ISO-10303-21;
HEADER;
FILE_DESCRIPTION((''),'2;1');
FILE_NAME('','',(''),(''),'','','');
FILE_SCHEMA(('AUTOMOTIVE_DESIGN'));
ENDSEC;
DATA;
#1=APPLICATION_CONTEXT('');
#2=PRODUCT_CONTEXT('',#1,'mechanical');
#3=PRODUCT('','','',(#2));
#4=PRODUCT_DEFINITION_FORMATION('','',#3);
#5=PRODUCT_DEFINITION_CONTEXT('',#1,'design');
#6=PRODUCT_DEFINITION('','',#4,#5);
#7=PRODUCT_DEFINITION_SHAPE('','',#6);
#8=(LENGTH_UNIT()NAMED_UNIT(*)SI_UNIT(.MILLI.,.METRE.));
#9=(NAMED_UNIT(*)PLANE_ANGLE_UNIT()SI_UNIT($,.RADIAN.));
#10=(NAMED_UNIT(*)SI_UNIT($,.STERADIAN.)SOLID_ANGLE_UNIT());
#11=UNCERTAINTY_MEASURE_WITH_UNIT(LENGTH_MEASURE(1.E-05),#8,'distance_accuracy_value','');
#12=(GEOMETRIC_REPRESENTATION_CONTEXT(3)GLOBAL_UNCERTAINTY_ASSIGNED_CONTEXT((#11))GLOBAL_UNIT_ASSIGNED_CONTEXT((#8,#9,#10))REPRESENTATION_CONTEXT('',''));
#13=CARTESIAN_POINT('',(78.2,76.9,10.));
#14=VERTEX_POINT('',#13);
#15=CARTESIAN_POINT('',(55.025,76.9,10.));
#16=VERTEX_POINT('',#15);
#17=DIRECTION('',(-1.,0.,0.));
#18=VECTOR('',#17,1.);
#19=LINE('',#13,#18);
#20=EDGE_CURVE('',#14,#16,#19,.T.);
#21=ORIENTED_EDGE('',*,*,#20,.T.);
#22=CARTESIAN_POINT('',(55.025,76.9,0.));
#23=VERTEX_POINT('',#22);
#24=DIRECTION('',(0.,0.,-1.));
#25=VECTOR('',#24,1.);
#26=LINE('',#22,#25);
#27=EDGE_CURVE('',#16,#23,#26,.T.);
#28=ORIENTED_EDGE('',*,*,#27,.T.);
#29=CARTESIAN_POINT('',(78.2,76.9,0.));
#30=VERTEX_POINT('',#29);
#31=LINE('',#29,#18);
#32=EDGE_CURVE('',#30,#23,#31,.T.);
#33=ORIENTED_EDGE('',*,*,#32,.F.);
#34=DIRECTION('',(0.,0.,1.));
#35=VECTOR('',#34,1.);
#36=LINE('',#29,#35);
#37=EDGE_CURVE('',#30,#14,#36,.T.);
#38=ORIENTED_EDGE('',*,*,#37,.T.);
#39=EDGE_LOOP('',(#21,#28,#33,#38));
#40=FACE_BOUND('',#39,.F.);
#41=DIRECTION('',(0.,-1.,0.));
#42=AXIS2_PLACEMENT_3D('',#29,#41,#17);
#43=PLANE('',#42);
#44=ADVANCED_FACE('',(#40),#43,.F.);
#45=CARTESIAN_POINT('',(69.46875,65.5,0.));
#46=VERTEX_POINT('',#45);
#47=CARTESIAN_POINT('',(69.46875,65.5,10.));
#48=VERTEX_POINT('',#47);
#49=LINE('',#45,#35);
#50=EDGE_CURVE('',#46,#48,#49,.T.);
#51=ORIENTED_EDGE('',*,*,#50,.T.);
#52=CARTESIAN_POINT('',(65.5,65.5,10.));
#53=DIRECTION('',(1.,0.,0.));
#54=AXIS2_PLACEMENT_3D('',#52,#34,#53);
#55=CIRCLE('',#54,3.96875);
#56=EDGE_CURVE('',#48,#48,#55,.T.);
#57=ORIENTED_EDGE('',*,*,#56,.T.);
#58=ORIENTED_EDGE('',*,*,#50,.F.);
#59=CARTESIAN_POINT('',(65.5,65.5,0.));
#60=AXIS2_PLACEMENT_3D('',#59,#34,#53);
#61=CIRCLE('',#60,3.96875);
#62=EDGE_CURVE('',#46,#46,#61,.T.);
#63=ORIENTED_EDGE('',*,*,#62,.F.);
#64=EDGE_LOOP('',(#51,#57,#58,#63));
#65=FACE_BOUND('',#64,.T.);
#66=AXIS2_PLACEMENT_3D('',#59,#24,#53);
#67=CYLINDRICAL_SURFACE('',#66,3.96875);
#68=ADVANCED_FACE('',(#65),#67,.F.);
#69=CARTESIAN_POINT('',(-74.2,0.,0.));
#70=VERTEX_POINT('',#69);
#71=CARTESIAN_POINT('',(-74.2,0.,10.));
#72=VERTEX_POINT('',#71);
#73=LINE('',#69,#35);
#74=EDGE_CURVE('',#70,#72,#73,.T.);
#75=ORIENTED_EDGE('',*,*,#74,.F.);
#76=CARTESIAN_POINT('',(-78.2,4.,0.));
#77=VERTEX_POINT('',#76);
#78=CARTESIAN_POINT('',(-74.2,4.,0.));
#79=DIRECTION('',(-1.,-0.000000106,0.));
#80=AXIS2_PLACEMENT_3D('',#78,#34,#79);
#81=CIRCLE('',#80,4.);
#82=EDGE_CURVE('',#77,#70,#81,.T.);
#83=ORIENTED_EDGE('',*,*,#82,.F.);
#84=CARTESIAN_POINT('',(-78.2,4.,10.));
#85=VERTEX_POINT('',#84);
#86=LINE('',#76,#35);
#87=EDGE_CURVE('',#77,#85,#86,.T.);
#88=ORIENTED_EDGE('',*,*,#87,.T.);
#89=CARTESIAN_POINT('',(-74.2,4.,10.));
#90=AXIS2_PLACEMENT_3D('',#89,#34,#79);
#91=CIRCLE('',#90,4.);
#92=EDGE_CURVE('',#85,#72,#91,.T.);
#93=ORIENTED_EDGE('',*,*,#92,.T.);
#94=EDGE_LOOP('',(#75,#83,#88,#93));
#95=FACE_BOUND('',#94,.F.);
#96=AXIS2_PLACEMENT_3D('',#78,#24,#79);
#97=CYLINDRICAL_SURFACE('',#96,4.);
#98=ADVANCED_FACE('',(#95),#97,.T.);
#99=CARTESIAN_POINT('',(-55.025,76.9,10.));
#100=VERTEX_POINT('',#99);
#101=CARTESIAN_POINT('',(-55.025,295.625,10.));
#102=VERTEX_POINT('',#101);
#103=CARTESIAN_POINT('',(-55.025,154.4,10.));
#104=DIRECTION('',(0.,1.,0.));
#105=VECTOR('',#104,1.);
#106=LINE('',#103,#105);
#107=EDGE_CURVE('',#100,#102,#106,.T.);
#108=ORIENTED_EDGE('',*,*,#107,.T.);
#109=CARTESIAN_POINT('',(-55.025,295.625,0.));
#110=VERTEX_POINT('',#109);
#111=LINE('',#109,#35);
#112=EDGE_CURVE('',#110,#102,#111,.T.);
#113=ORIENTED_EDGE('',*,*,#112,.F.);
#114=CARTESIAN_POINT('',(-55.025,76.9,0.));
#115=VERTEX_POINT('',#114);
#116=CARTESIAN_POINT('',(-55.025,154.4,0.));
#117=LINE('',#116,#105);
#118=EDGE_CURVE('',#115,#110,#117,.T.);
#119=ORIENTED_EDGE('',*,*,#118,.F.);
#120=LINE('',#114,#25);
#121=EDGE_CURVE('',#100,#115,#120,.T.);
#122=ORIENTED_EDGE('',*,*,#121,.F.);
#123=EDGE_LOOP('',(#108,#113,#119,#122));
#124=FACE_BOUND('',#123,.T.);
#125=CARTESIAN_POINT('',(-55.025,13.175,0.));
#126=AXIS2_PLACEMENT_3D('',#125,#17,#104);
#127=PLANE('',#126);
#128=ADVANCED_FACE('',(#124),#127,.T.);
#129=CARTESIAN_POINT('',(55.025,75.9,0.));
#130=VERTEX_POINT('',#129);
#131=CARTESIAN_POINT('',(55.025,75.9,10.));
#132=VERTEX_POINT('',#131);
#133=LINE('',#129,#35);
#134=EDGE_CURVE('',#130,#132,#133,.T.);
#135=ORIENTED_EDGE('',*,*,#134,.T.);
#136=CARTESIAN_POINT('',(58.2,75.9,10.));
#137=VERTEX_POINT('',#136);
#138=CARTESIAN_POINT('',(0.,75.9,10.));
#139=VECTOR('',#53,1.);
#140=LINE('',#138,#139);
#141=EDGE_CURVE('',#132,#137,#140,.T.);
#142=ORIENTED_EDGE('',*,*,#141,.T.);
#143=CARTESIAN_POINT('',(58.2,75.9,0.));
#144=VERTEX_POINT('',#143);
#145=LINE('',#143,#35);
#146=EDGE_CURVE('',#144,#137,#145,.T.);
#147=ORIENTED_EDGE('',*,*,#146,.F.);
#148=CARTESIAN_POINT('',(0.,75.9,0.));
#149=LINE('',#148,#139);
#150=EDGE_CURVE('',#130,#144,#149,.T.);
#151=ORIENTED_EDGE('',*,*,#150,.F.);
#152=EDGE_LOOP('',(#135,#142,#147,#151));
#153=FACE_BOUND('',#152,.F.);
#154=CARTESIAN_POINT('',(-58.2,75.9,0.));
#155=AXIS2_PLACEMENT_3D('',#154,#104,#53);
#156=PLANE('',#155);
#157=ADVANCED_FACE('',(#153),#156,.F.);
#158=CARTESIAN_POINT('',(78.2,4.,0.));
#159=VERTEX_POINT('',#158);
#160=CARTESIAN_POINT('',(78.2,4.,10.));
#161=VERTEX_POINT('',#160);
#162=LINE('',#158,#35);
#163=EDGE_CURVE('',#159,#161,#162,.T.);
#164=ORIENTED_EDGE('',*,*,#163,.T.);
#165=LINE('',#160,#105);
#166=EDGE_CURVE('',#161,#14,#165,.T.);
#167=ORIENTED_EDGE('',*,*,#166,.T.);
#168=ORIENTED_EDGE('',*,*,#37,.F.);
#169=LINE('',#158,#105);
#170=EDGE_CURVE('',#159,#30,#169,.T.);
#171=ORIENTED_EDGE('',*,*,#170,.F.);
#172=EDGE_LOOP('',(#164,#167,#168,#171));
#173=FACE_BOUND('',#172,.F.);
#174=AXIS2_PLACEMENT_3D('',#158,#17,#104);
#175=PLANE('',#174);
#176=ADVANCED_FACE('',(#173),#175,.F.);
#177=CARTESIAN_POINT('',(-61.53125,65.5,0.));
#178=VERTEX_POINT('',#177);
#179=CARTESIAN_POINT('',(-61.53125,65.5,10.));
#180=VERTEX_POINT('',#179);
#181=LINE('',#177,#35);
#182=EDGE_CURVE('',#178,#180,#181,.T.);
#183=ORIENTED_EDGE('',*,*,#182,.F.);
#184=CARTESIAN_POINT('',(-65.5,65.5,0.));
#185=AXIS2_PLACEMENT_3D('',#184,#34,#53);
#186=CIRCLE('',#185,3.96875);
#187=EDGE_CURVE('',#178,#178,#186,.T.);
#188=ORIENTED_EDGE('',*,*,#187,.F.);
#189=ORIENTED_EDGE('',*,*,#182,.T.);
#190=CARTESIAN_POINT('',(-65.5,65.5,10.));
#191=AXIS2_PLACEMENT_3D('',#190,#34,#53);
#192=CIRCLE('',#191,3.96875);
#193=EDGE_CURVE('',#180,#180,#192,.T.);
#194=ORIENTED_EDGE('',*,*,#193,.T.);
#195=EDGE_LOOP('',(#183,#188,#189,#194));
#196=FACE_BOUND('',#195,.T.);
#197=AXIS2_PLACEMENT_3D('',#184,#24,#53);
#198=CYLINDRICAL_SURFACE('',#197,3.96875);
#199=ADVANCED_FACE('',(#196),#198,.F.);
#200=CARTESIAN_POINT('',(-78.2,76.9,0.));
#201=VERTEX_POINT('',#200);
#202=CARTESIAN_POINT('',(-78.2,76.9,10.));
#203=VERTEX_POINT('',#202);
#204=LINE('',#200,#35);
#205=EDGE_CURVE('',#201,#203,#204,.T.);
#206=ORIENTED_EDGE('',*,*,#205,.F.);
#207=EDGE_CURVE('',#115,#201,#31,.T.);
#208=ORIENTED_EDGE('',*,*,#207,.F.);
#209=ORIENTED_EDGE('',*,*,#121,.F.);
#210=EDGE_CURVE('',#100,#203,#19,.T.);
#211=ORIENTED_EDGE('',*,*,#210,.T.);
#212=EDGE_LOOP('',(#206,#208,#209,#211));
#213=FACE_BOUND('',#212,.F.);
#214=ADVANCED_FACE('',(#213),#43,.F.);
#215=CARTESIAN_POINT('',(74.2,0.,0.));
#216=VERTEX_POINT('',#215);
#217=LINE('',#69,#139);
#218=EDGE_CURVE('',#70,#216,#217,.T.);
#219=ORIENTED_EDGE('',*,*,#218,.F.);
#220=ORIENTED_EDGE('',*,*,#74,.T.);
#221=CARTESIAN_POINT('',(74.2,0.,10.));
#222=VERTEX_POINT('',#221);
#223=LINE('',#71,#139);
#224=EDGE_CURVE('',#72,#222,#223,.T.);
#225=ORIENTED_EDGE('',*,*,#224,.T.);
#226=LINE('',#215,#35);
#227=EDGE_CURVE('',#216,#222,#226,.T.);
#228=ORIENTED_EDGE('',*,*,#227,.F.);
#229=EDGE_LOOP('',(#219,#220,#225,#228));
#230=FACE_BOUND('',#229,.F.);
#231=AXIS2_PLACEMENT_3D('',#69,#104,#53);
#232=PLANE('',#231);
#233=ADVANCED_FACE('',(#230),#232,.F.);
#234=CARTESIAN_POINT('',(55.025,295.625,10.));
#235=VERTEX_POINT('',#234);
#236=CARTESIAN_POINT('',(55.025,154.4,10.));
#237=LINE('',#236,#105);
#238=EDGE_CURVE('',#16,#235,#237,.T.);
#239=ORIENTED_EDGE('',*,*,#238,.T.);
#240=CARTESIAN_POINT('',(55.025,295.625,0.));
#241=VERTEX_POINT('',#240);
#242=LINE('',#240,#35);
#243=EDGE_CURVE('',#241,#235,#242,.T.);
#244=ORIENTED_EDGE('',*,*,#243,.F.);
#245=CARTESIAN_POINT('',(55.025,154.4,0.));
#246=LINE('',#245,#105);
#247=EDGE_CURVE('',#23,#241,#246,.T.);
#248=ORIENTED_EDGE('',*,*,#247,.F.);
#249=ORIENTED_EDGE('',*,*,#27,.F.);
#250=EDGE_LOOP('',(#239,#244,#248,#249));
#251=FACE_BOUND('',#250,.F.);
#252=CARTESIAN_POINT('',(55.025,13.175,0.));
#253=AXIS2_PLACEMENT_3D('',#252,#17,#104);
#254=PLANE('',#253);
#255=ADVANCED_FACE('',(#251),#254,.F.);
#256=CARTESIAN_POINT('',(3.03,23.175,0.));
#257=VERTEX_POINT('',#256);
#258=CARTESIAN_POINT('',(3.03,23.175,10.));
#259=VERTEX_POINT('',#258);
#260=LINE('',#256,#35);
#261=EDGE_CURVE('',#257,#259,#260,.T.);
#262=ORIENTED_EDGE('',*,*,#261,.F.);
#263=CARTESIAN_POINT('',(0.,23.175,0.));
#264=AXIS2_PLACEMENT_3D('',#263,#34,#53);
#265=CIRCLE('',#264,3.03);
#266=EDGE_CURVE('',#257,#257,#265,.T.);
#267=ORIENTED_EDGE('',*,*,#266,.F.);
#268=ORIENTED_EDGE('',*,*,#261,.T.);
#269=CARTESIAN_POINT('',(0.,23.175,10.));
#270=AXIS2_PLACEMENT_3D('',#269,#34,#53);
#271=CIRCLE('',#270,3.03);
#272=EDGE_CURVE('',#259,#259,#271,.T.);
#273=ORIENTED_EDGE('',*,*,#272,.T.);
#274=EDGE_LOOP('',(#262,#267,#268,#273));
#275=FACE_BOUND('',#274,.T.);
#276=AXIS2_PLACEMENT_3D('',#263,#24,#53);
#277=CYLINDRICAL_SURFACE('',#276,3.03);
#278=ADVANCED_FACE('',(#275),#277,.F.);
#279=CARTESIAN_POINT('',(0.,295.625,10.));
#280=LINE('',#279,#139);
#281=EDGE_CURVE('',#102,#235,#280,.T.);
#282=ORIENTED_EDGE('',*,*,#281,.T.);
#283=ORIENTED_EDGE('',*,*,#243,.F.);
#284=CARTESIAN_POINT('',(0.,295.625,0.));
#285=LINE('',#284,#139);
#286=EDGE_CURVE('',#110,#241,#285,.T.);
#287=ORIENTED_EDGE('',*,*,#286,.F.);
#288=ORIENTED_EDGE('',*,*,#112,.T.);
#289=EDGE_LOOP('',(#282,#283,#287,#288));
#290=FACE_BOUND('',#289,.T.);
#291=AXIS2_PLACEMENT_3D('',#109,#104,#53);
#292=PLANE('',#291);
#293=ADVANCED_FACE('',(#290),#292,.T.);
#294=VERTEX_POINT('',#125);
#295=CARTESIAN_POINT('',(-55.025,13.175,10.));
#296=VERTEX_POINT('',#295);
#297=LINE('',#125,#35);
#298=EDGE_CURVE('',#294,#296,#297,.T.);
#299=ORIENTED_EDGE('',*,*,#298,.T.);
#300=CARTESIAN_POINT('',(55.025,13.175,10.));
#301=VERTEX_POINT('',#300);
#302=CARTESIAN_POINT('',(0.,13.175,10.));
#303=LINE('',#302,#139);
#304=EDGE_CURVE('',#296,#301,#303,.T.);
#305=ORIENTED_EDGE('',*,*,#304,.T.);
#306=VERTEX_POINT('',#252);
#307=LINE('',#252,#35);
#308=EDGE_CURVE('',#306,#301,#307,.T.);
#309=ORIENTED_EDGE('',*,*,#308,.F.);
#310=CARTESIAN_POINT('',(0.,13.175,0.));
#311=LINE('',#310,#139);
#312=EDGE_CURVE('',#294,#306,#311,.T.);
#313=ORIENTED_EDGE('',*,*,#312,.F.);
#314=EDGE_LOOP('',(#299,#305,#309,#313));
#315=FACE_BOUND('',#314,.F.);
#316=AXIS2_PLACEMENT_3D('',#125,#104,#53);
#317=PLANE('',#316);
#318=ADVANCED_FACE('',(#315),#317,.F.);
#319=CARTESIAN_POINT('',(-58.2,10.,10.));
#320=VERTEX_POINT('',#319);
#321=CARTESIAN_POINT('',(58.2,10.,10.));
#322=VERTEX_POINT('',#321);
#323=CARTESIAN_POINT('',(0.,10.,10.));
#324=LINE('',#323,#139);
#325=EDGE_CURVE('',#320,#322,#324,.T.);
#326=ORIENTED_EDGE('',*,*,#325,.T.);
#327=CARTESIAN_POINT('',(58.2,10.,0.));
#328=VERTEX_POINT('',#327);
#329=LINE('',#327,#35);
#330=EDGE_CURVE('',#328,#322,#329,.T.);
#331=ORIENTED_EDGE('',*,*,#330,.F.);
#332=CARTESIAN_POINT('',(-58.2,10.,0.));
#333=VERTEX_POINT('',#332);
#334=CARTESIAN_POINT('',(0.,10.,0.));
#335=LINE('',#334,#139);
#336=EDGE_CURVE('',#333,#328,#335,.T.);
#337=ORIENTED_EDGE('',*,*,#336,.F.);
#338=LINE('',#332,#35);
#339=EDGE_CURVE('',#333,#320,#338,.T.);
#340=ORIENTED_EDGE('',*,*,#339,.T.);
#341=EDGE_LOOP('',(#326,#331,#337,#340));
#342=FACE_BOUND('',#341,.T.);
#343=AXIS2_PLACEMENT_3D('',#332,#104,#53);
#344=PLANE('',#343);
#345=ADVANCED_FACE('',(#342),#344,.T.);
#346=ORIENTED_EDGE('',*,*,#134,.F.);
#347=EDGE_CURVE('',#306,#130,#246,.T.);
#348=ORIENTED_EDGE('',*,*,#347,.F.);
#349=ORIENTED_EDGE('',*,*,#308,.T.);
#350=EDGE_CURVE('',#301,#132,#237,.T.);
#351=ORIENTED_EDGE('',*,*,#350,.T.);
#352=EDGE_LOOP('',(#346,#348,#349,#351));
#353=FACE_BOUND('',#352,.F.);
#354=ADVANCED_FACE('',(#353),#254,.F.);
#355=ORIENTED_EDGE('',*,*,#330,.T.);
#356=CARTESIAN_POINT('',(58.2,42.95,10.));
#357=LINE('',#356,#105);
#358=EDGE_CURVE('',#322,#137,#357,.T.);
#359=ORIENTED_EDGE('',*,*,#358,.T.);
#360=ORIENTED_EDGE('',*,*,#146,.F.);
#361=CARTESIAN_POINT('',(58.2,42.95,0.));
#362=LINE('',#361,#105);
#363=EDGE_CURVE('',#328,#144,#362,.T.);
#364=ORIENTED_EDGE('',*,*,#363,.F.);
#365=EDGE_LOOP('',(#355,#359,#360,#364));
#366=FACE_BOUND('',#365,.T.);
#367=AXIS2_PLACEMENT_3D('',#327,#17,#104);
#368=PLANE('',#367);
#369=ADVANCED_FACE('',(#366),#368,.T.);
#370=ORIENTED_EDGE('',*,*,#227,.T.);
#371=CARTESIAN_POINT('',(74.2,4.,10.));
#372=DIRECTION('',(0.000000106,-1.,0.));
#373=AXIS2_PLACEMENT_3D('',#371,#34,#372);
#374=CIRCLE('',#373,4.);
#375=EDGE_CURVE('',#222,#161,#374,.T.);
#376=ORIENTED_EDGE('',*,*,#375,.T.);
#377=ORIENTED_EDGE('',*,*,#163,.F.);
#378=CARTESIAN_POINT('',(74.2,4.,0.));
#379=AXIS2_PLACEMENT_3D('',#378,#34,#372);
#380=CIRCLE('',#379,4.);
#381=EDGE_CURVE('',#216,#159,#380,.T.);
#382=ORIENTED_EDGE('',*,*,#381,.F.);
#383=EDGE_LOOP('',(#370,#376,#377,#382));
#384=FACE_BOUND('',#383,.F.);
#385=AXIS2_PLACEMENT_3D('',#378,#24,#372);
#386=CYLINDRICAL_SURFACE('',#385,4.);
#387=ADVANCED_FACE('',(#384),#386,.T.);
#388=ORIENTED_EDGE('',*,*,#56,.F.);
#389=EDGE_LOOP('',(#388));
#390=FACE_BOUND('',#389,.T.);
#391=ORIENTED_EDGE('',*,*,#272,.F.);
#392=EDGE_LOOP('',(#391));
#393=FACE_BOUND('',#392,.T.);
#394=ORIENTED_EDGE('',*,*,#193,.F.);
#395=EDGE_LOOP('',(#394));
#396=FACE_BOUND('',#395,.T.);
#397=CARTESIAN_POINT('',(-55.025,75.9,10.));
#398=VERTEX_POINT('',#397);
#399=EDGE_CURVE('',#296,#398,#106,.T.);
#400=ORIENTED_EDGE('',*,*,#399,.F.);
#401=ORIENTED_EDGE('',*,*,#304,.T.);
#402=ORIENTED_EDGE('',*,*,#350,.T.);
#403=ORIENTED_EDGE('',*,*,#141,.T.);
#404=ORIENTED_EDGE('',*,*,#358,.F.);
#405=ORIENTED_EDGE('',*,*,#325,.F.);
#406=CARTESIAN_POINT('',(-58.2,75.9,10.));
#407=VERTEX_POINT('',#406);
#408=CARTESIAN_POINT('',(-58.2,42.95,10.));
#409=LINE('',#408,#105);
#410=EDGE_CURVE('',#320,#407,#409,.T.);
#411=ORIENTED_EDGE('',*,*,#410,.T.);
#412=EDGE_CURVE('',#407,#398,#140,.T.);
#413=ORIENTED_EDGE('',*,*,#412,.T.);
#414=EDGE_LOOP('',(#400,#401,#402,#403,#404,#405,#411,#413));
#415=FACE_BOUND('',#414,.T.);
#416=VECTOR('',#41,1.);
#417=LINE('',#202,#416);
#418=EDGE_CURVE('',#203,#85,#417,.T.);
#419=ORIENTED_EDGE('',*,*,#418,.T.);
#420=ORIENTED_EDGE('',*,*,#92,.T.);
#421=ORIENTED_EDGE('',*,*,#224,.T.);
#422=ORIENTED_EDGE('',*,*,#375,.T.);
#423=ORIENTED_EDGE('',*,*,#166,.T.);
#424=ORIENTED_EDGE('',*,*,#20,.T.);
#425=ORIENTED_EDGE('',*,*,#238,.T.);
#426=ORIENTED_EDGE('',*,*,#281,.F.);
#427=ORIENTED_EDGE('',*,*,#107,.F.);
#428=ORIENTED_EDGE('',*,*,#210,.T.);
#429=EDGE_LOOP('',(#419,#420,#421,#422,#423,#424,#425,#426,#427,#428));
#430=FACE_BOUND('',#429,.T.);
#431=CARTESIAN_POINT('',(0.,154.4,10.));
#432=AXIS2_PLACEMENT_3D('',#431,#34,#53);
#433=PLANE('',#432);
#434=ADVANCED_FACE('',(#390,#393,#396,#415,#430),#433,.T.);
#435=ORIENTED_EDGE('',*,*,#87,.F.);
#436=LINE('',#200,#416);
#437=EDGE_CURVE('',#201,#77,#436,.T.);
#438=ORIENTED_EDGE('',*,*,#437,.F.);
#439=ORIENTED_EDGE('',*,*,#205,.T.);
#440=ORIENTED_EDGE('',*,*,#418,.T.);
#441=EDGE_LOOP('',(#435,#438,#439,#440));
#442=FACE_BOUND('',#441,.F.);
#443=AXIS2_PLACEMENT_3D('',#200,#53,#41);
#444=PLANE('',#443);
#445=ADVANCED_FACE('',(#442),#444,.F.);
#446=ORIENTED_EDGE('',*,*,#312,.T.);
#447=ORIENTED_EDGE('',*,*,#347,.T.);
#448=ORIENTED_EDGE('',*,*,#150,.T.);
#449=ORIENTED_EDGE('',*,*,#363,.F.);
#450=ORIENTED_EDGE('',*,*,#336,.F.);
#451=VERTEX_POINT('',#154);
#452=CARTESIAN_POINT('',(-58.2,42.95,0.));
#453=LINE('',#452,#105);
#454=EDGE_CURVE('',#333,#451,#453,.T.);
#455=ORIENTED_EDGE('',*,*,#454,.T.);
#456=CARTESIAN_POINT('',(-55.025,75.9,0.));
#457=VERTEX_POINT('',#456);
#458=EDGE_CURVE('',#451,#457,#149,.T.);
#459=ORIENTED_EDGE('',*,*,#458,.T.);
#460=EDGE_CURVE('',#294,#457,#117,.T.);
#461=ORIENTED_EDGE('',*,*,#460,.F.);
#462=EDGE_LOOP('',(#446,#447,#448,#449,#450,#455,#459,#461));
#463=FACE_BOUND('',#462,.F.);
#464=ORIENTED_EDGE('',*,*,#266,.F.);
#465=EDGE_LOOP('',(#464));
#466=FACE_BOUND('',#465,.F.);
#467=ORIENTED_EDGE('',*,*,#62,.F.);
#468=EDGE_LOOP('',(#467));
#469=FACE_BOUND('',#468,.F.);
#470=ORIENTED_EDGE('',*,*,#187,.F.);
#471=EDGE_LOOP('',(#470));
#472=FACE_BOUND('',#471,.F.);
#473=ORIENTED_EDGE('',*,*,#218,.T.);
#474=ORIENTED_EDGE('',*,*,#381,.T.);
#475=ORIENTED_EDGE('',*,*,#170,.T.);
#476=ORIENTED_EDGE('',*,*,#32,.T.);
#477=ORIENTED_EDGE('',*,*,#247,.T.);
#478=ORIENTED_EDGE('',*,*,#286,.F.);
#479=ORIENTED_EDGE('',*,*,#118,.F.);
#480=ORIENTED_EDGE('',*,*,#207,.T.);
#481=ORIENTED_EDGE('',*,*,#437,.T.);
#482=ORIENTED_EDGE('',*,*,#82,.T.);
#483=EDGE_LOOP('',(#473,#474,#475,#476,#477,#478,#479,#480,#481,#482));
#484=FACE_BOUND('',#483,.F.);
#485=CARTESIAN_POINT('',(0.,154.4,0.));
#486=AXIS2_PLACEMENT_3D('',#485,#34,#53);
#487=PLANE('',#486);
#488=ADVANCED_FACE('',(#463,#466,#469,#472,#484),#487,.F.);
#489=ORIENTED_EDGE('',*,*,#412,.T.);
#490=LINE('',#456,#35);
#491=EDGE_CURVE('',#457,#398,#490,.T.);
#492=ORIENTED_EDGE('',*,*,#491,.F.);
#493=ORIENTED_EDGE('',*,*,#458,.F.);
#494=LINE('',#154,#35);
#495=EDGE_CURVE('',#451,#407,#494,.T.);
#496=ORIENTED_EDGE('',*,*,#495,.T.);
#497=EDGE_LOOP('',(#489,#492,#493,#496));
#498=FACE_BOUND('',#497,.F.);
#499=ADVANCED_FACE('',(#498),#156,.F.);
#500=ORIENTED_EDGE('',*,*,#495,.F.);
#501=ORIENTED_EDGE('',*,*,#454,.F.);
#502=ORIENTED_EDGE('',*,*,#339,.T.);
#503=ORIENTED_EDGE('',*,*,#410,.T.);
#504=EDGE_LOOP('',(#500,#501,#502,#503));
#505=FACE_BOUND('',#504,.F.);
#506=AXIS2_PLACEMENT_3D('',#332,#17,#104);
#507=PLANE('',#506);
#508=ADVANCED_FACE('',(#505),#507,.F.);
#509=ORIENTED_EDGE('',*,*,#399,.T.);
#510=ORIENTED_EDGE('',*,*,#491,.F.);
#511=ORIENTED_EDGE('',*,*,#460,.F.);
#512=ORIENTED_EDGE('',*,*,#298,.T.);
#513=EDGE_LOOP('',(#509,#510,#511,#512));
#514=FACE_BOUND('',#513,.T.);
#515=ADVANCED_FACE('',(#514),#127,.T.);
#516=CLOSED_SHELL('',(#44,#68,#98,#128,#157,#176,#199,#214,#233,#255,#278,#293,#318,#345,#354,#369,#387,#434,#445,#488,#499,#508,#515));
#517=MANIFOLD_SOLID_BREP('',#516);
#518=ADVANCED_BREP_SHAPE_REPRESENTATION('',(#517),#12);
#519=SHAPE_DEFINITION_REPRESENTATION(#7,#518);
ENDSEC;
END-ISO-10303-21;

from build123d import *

# Parameters (mm, degrees)
SKETCH_R       = 3.96875
SKETCH_W       = 116.4
SKETCH_H       = 65.9
PAD_DEPTH      = 10
BOX_W          = 110.05
BOX_H          = 282.45
BOX_DEPTH      = 10
CYLINDER_R     = 3.03
CYLINDER_DEPTH = 10


with BuildPart() as part:
    # Sketch → Pad (new body)
    with BuildSketch(Plane.XY):
        with BuildLine():
            Line((78.2, 76.9), (-78.2, 76.9))
            Line((-78.2, 76.9), (-78.2, 4))
            ThreePointArc((-78.2, 4), (-77.028427, 1.171573), (-74.2, 0))
            Line((-74.2, 0), (74.2, 0))
            ThreePointArc((74.2, 0), (77.028427, 1.171573), (78.2, 4))
            Line((78.2, 4), (78.2, 76.9))
        make_face()
        with Locations((-65.5, 65.5)):
            Circle(SKETCH_R, mode=Mode.SUBTRACT)
        with Locations((65.5, 65.5)):
            Circle(SKETCH_R, mode=Mode.SUBTRACT)
        with Locations((0, 42.95)):
            Rectangle(SKETCH_W, SKETCH_H, mode=Mode.SUBTRACT)
    extrude(amount=PAD_DEPTH)

    # Box → Box (join)
    with BuildSketch(Plane(origin=(-55.025, 13.175, 0), x_dir=(1, 0, 0), z_dir=(0, 0, 1))):
        with Locations((55.025, 141.225)):
            Rectangle(BOX_W, BOX_H)
    extrude(amount=BOX_DEPTH)

    # Cylinder → Cylinder (cut)
    with BuildSketch(Plane(origin=(0, 23.175, 0), x_dir=(1, 0, 0), z_dir=(0, 0, 1))):
        Circle(CYLINDER_R)
    extrude(amount=CYLINDER_DEPTH, mode=Mode.SUBTRACT)


solid = part.part
